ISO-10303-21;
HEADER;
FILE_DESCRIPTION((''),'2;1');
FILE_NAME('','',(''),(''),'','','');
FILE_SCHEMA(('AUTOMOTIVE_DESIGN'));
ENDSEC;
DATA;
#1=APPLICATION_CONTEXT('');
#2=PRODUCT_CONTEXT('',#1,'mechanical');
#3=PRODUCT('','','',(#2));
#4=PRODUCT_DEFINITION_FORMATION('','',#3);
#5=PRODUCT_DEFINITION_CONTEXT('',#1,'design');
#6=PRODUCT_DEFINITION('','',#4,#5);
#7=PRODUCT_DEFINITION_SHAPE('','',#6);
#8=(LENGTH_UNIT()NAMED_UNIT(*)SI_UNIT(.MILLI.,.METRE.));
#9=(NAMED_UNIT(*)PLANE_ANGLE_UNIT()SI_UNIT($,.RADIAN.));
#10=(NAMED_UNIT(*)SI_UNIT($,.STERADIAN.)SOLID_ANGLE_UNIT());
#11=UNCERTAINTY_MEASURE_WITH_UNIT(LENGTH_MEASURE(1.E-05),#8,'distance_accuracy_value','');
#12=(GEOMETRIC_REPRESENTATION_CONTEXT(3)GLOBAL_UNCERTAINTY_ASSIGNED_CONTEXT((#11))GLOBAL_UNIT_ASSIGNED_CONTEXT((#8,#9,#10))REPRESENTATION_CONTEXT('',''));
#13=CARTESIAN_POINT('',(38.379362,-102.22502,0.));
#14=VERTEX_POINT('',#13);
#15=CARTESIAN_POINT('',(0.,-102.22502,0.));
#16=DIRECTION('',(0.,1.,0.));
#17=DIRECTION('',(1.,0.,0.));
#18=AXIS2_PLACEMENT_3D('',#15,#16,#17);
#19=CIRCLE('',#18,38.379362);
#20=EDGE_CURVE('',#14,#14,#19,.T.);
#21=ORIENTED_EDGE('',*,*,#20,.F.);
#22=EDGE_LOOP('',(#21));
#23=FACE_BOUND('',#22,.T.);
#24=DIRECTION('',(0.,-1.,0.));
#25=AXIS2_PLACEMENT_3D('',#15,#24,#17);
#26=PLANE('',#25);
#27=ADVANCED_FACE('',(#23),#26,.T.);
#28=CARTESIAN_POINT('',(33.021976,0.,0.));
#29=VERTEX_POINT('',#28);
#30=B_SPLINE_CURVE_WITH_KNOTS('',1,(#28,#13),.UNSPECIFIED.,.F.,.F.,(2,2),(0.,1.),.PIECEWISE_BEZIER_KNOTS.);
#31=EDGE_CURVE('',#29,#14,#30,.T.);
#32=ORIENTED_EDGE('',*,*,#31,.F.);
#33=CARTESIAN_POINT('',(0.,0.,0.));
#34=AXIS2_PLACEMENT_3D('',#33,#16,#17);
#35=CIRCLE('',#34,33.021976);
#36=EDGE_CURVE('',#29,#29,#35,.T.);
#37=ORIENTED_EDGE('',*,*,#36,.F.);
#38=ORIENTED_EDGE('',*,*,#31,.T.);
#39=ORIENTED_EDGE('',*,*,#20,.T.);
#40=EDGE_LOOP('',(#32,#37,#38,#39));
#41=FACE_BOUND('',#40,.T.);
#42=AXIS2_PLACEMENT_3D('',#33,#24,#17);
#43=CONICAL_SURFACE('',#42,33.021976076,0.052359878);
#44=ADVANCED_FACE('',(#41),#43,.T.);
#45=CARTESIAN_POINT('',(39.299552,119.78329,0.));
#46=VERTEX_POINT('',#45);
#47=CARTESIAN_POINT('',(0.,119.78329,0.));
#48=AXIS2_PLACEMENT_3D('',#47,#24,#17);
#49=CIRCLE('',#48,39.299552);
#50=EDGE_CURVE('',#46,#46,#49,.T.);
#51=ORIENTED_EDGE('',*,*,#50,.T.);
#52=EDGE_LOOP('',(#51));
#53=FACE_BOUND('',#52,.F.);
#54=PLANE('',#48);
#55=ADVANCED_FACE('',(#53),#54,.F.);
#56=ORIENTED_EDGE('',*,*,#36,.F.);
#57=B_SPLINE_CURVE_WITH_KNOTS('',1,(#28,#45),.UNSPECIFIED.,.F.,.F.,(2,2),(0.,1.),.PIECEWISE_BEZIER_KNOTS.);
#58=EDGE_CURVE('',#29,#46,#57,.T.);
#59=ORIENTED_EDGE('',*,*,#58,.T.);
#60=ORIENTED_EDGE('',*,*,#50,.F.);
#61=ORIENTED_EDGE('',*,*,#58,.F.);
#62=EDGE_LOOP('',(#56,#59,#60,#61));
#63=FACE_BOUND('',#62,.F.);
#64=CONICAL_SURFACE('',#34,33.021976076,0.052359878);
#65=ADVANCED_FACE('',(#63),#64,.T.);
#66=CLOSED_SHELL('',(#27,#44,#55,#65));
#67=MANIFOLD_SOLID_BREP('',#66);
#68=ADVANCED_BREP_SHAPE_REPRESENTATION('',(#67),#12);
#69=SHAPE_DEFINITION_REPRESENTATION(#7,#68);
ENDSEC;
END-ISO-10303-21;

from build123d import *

# Parameters (mm, degrees)
F0_R          = 33.021976076
F1_DEPTH      = 119.78329
F1_TAPER      = -3
F1_DEPTH_BACK = 102.22502
F1_TAPER_BACK = -3


with BuildPart() as f1:
    # F0 (on Front) → F1 (new body, two sides)
    with BuildSketch(Plane.XZ) as f1_sk:
        Circle(F0_R)
    extrude(amount=-F1_DEPTH, taper=F1_TAPER)
    extrude(f1_sk.sketch, amount=F1_DEPTH_BACK, taper=F1_TAPER_BACK)


solid = f1.part
